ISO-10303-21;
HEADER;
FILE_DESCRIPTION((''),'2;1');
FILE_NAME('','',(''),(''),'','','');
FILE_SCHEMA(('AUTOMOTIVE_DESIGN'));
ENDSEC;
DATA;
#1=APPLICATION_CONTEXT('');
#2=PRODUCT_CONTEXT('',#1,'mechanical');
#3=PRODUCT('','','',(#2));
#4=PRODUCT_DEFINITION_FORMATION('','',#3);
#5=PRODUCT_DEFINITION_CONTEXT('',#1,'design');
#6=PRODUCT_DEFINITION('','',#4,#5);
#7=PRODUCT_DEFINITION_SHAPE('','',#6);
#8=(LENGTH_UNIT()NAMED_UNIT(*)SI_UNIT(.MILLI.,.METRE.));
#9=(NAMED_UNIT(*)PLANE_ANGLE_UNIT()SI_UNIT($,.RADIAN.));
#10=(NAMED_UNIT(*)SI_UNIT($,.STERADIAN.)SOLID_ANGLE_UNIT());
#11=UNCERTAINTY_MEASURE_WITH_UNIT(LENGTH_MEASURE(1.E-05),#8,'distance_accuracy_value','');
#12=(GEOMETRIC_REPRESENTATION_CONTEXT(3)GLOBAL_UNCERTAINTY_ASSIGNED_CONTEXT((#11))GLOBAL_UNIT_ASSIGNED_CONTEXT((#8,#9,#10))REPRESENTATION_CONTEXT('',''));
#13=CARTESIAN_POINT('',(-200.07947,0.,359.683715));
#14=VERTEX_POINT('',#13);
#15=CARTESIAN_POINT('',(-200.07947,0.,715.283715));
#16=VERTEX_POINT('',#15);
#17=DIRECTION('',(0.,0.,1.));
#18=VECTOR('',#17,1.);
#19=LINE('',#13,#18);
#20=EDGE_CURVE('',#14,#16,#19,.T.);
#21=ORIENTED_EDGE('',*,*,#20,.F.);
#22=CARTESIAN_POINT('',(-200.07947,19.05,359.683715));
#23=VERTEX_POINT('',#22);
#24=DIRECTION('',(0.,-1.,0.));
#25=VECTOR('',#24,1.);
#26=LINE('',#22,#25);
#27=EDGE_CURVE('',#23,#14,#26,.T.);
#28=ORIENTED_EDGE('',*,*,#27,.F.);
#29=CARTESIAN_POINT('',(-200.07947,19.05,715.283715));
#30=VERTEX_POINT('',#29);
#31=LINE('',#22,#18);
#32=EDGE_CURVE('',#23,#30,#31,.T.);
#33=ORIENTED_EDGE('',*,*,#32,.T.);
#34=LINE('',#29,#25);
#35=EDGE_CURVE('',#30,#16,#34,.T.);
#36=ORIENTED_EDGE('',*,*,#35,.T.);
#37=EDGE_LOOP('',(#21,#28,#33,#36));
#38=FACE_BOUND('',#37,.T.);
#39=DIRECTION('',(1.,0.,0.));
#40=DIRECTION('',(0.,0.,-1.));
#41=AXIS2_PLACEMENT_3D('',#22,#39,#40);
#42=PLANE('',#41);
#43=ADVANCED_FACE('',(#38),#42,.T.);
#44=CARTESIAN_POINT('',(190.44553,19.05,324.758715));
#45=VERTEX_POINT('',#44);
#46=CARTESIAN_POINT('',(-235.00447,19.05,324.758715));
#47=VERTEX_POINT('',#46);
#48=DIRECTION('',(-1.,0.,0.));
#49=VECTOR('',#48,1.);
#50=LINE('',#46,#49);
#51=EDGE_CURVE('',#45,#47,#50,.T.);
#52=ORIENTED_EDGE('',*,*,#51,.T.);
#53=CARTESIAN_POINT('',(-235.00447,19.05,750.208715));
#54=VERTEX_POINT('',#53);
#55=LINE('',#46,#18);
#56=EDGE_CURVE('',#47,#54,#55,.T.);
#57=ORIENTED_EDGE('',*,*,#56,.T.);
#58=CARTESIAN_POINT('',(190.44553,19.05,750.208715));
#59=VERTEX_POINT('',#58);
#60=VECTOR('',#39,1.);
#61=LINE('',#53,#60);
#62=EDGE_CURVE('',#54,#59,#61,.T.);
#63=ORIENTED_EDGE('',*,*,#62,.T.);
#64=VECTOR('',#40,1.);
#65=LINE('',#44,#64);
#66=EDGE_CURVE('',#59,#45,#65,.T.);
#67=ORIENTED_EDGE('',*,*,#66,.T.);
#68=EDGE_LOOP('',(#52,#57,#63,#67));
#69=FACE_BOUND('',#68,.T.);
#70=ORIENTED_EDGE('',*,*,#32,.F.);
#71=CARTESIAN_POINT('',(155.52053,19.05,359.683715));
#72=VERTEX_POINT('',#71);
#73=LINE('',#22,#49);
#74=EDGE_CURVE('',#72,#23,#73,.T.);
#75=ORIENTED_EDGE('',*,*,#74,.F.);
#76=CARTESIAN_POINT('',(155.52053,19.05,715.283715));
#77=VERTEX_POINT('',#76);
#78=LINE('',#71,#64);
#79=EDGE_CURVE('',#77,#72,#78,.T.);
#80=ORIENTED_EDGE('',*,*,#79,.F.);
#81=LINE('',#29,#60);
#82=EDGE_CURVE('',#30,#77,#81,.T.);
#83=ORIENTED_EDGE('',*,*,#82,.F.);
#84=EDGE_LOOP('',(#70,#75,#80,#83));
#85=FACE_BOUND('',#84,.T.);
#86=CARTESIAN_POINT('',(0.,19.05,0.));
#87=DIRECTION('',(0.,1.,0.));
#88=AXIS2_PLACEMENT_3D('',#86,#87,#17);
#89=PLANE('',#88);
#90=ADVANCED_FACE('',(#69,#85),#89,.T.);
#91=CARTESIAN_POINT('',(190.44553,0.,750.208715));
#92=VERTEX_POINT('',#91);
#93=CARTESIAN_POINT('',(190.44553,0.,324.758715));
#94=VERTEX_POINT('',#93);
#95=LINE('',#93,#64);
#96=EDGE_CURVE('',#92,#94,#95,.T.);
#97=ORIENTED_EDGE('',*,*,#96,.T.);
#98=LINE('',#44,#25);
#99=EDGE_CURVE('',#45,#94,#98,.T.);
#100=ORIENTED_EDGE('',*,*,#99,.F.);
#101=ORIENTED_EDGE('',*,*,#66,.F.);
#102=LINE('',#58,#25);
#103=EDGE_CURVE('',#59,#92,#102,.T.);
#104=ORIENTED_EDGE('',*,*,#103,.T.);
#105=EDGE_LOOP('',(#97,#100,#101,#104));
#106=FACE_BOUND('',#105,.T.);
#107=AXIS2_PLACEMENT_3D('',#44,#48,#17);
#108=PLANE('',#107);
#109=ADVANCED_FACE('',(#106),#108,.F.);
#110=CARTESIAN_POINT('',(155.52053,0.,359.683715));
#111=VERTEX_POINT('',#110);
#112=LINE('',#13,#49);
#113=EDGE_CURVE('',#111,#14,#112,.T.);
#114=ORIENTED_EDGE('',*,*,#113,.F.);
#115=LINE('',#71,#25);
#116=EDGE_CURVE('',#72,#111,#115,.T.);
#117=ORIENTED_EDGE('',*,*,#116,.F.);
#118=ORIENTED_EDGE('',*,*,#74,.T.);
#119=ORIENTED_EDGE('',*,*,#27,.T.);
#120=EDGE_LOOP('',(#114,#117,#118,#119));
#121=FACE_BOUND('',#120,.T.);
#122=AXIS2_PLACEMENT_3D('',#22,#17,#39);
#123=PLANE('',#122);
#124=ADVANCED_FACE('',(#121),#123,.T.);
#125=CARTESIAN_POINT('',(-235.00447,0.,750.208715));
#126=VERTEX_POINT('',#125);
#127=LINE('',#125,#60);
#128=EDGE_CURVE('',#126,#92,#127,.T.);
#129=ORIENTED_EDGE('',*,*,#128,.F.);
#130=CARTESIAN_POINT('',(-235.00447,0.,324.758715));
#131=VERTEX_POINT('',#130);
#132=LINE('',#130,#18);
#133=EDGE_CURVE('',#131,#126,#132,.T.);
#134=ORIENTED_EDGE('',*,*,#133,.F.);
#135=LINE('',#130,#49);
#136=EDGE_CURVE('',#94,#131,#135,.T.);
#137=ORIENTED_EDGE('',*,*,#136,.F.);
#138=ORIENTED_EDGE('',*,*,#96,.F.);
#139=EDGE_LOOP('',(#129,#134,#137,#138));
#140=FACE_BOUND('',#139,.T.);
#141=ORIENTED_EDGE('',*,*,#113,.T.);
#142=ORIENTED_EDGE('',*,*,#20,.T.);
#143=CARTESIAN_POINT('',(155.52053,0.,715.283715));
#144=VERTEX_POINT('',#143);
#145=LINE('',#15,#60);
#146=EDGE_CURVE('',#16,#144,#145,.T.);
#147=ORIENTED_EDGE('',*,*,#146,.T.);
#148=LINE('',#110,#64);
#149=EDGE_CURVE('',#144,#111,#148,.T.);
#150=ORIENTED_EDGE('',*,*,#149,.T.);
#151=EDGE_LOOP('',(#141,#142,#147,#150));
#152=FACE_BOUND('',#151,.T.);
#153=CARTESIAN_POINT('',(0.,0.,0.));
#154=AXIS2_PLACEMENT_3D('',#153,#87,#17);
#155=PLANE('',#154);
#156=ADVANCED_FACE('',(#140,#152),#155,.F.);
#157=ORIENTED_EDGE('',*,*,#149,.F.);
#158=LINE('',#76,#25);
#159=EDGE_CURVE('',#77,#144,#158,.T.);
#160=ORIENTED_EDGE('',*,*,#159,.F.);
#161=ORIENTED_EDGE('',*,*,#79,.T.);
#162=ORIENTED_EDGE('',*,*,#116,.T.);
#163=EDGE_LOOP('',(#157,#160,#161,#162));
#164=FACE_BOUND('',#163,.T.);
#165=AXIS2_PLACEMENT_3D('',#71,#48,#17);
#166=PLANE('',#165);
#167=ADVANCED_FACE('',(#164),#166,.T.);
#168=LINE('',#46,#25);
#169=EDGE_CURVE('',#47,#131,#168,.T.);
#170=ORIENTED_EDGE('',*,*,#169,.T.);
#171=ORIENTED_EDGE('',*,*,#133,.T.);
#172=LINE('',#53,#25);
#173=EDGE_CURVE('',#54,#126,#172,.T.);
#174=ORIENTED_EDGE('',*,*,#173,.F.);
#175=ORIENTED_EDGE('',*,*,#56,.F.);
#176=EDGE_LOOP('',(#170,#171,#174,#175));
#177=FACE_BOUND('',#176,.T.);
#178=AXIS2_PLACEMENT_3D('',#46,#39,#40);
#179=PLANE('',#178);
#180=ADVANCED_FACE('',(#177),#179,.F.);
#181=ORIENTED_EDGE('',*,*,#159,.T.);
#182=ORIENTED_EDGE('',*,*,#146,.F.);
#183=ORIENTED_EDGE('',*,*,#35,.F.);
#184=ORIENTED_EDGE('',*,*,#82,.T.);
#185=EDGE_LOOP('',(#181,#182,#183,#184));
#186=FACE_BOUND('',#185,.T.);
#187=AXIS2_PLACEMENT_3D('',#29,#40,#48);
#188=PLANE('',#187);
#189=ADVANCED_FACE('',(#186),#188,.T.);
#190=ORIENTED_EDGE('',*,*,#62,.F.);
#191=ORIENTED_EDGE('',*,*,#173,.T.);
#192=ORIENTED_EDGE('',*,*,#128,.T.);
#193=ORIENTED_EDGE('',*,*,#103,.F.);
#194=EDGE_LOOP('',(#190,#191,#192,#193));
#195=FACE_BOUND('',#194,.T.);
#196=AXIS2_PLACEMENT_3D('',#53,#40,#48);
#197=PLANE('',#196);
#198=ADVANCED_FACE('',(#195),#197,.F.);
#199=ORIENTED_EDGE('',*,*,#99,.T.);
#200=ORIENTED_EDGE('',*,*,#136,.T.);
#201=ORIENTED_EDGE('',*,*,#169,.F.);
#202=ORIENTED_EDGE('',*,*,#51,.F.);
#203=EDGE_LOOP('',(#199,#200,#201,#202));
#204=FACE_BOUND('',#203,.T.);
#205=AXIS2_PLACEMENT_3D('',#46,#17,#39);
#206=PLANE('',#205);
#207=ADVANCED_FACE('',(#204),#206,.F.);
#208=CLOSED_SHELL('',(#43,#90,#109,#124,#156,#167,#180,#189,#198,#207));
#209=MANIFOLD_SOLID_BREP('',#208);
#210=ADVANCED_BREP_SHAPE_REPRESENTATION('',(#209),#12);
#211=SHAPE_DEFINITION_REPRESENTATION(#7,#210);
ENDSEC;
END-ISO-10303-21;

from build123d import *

# Parameters (mm, degrees)
SKETCH1_W           = 425.45
SKETCH1_H           = 425.45
SKETCH1_W_2         = 355.6
SKETCH1_H_2         = 355.6
BOSS_EXTRUDE1_DEPTH = 19.05


with BuildPart() as part:
    # Sketch1 → Boss-Extrude1 (new body)
    with BuildSketch(Plane(origin=(0, 0, 0), x_dir=(1, 0, 0), z_dir=(0, 1, 0))):
        with Locations((-22.279469933, -537.483715485)):
            Rectangle(SKETCH1_W, SKETCH1_H)
        with Locations((-22.279469933, -537.483715485)):
            Rectangle(SKETCH1_W_2, SKETCH1_H_2, mode=Mode.SUBTRACT)
    extrude(amount=BOSS_EXTRUDE1_DEPTH)


solid = part.part
